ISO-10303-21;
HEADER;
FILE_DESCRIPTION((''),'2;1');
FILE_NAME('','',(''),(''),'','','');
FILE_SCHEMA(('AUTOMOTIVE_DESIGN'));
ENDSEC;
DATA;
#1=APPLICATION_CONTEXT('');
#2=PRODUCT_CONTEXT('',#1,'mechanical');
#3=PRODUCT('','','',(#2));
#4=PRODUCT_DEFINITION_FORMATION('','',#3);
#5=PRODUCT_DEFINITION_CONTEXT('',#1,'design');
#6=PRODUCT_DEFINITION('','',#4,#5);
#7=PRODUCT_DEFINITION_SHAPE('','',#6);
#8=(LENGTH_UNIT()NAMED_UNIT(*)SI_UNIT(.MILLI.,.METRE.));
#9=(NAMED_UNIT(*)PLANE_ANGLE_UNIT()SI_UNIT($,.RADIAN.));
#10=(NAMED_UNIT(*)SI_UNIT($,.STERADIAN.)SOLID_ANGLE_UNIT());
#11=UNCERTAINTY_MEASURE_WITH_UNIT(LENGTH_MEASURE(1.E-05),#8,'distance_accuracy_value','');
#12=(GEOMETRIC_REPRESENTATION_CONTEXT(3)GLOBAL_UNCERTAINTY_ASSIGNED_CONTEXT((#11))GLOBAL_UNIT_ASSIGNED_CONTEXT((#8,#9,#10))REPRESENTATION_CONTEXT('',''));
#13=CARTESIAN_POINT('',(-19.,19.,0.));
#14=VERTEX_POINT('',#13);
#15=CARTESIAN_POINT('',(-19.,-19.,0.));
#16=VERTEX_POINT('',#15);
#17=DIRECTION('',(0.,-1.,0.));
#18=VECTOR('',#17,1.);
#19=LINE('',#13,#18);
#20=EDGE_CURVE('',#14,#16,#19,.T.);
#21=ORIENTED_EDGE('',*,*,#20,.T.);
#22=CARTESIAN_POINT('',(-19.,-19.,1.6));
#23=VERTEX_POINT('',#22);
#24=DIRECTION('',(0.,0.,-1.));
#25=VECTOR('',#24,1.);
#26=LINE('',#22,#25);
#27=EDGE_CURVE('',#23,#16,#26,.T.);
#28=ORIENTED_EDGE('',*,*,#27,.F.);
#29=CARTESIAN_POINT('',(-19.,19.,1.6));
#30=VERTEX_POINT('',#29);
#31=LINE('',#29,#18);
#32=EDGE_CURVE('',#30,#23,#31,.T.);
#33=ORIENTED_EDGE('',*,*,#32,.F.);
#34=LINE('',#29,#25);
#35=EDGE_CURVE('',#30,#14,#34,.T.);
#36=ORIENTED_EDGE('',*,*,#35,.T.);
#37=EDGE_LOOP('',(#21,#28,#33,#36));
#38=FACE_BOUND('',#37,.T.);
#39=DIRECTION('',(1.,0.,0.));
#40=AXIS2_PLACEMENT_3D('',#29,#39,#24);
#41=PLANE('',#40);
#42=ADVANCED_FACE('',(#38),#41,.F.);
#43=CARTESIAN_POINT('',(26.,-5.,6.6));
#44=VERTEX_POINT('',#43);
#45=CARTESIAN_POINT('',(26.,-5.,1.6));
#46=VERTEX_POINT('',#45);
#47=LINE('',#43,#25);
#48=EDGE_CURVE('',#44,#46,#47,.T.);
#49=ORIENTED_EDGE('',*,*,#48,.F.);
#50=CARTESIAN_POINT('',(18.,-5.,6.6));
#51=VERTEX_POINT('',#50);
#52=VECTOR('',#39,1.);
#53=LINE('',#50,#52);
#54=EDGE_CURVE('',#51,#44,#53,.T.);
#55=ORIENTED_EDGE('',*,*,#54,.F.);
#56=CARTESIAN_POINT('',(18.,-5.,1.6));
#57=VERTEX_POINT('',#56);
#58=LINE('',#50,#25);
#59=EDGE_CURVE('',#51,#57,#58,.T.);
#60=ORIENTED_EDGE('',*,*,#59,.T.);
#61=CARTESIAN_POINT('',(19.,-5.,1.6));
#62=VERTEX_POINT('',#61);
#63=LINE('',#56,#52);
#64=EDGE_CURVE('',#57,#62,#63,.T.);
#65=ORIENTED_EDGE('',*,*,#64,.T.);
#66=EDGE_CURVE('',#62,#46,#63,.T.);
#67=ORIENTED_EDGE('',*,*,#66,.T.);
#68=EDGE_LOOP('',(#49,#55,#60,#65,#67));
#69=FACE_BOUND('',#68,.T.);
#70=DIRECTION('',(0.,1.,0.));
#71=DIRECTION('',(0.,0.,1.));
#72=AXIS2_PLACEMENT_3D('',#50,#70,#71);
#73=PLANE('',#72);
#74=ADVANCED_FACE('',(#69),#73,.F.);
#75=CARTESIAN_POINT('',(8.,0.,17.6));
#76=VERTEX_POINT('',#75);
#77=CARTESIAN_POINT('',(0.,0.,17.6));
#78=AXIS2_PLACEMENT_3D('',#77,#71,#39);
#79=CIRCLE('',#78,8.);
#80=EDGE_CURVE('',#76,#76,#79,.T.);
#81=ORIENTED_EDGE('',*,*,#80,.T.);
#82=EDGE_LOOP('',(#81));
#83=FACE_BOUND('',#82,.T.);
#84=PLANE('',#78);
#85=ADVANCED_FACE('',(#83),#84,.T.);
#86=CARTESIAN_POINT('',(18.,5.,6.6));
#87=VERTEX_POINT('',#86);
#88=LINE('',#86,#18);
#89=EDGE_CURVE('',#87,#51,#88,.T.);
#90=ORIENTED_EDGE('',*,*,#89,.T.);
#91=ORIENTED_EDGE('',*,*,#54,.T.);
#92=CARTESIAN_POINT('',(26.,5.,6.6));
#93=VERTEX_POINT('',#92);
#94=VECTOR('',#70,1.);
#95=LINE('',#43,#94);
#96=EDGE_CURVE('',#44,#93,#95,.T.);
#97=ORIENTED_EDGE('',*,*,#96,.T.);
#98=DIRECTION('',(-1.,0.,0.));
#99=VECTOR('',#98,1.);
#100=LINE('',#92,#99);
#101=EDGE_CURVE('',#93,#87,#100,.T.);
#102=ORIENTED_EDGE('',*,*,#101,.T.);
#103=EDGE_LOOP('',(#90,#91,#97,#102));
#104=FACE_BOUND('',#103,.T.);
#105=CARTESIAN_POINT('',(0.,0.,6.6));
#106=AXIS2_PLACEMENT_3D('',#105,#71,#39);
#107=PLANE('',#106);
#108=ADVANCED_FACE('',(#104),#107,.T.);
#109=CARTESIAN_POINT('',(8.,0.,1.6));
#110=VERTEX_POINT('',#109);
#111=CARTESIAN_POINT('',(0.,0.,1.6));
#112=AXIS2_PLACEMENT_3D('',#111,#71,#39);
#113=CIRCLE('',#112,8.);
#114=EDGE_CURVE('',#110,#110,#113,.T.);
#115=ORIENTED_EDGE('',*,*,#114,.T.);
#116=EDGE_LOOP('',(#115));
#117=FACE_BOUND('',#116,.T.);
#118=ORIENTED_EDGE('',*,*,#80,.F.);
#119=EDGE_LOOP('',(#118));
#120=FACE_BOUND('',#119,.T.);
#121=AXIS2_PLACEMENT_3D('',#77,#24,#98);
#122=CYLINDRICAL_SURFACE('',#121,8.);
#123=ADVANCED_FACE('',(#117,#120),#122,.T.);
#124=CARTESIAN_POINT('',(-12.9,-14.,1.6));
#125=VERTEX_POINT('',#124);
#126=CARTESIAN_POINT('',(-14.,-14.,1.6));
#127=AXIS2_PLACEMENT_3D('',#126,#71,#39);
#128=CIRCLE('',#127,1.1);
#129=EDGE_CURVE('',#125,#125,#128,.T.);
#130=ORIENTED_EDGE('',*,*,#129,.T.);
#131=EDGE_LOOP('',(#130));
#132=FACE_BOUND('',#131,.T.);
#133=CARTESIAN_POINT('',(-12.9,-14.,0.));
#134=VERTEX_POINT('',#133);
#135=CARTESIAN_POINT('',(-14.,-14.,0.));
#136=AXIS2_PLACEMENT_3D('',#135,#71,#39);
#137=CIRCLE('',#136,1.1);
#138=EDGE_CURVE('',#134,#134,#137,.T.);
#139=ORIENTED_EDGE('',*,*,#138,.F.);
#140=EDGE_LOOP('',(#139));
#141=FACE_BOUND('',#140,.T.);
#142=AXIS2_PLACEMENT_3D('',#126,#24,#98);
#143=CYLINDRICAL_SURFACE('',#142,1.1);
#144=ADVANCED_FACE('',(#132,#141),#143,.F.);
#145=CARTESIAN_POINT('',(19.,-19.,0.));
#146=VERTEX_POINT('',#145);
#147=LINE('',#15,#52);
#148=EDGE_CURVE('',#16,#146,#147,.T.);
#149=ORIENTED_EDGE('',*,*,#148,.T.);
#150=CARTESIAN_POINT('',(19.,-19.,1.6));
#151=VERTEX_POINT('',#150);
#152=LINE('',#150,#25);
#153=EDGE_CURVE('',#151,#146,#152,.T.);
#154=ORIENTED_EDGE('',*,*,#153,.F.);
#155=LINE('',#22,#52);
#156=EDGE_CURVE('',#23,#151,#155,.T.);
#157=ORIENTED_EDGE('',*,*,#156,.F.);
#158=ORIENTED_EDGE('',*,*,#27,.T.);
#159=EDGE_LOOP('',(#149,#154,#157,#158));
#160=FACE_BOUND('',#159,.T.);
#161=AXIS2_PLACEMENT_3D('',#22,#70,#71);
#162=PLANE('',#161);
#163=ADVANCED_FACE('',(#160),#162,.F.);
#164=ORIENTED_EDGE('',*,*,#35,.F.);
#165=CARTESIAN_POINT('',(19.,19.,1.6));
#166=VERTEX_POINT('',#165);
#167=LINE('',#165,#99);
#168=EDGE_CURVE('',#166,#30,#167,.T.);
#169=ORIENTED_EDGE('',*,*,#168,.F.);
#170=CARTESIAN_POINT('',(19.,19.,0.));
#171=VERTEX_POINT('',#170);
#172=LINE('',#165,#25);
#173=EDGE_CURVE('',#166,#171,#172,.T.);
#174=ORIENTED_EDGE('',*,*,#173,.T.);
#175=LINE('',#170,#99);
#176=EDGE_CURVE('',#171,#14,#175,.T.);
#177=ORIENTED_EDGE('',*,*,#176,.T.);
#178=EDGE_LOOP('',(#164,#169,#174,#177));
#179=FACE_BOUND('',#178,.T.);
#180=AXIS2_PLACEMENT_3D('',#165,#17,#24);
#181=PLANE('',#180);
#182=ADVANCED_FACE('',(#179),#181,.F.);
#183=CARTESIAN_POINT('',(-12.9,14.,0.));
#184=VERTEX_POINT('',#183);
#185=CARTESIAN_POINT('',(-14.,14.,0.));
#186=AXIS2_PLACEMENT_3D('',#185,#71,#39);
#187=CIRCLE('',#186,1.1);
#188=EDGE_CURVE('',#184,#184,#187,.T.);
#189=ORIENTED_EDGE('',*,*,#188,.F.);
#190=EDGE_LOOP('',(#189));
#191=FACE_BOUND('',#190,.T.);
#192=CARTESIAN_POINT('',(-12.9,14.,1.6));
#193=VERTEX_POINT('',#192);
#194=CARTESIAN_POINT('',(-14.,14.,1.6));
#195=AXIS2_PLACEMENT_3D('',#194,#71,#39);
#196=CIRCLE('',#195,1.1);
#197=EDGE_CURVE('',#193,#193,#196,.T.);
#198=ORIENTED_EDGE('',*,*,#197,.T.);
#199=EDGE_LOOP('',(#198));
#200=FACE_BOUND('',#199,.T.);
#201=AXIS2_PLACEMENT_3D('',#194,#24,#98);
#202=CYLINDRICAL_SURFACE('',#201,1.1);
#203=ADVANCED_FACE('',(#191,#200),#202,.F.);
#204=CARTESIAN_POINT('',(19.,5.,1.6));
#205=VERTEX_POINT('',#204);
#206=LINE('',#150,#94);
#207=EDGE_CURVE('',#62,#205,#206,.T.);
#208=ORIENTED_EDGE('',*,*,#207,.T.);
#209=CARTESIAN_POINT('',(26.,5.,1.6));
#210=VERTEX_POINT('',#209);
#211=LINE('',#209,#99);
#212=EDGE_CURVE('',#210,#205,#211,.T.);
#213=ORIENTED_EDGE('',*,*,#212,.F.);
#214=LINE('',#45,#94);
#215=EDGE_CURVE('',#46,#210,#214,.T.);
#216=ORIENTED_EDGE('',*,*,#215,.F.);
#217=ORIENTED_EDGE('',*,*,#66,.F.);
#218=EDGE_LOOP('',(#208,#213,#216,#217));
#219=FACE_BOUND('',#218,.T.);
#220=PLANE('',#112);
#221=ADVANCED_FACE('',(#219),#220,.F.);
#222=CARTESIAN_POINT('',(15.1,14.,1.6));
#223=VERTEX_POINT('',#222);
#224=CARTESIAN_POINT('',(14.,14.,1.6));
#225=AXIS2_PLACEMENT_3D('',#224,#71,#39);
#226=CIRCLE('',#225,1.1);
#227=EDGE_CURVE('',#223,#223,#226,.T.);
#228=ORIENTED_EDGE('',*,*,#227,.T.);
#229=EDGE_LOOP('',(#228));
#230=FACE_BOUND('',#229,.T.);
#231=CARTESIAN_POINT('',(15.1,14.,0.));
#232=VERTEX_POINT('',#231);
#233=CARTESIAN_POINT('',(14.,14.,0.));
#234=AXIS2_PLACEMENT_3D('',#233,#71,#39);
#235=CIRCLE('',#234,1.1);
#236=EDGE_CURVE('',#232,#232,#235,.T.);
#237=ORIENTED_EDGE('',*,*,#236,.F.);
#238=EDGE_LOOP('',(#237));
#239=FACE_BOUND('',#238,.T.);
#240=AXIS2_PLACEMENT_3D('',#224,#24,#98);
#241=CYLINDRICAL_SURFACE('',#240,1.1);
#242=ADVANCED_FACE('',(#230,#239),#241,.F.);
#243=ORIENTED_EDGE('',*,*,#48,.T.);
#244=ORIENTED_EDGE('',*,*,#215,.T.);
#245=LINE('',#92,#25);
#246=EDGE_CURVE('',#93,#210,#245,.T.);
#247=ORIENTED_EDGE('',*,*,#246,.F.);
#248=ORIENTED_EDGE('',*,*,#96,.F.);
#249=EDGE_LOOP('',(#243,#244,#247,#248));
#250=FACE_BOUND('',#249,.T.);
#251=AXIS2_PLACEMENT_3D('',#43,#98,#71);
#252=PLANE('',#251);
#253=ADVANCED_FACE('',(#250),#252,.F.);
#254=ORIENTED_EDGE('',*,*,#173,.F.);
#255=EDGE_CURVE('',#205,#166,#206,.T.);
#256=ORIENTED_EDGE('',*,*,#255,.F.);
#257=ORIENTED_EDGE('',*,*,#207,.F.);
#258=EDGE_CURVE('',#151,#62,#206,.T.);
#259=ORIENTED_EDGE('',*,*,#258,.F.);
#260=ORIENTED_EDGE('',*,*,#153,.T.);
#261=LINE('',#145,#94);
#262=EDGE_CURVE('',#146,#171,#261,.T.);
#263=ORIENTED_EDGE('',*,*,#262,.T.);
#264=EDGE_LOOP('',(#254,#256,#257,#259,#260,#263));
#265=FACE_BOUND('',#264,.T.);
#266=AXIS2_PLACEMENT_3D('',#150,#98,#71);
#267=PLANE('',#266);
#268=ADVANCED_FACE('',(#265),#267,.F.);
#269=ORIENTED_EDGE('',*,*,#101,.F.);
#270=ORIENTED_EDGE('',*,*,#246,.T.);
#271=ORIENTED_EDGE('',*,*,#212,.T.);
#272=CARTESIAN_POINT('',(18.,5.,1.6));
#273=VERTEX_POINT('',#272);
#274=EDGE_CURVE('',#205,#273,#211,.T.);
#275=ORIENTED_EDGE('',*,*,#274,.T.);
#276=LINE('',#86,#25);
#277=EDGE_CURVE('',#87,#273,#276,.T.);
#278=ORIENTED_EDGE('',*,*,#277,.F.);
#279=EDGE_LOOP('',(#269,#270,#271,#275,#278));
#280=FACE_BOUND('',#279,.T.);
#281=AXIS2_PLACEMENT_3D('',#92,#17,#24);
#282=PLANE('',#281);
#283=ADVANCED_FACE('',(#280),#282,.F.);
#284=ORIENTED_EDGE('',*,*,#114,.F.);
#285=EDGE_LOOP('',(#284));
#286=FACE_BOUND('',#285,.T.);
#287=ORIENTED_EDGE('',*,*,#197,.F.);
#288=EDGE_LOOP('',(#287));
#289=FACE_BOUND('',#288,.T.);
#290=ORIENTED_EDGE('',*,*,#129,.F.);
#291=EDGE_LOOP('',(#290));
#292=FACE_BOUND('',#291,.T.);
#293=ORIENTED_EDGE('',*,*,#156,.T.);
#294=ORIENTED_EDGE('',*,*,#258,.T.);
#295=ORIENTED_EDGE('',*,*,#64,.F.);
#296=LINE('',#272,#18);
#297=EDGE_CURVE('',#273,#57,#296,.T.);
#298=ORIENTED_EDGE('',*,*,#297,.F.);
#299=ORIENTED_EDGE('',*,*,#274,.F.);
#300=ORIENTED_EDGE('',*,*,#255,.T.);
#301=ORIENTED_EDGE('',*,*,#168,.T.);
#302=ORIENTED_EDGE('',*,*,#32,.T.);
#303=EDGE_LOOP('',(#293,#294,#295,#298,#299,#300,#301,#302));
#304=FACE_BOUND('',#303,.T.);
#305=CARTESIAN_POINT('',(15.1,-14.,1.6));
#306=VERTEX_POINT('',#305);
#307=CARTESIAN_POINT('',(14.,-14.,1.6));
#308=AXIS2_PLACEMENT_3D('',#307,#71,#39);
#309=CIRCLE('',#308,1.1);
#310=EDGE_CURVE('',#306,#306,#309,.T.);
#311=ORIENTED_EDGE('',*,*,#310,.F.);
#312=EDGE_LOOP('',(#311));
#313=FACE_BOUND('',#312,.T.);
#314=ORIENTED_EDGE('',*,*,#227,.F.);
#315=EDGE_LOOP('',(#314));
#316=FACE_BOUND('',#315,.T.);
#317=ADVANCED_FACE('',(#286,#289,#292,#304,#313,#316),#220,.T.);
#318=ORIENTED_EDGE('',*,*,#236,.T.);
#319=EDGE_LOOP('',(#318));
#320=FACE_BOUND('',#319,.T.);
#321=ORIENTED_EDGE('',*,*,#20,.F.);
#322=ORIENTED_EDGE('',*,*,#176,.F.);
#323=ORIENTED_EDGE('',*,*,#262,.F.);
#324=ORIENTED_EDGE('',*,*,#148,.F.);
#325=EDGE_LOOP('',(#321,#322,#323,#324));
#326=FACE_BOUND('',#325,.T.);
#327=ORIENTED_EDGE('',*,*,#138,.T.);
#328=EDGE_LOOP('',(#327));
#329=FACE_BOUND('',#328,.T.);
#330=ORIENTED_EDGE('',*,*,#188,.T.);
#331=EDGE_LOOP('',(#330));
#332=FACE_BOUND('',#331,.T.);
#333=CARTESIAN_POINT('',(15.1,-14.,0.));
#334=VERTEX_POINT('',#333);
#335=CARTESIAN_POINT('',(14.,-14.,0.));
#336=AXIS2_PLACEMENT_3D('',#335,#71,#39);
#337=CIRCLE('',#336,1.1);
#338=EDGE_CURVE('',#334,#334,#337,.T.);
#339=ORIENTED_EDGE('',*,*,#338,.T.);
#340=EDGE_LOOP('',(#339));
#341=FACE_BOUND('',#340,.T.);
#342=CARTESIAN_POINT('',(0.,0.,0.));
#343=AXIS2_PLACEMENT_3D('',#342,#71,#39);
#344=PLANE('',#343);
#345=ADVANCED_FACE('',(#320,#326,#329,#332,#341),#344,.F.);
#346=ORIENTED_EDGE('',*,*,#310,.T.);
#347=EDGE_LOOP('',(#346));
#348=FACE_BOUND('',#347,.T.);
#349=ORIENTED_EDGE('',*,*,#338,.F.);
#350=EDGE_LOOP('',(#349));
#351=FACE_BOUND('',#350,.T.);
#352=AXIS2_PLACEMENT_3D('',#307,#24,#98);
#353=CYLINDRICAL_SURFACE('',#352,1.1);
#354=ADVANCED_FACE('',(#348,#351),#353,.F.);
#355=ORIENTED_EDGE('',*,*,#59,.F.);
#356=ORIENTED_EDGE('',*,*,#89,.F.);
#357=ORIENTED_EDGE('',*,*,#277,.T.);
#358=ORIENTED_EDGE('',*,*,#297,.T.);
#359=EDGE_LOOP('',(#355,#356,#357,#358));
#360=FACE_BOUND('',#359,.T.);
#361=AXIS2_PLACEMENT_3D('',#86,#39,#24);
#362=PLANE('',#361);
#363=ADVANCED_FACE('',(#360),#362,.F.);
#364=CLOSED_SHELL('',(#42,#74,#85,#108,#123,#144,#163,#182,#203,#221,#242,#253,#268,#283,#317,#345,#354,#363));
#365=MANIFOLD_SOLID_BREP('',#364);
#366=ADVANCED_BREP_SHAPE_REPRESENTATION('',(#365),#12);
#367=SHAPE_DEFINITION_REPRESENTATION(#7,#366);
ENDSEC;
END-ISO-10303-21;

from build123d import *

# Parameters (mm, degrees)
SKETCH_1_W        = 38
SKETCH_1_H        = 38
SKETCH_1_R        = 1.1
USB_38_PCB_DEPTH  = 1.6
EXTRUDE_START     = 1.6
SKETCH_2_R        = 8
EXTRUDE_M12_DEPTH = 16
USB_START         = 1.6
SKETCH_3_W        = 8
SKETCH_3_H        = 10
USB_DEPTH         = 5


with BuildPart() as part:
    # 草图1 → USB摄像头38方PCB占位 (new body)
    with BuildSketch(Plane.XY):
        Rectangle(SKETCH_1_W, SKETCH_1_H)
        with Locations((-14, -14)):
            Circle(SKETCH_1_R, mode=Mode.SUBTRACT)
        with Locations((-14, 14)):
            Circle(SKETCH_1_R, mode=Mode.SUBTRACT)
        with Locations((14, -14)):
            Circle(SKETCH_1_R, mode=Mode.SUBTRACT)
        with Locations((14, 14)):
            Circle(SKETCH_1_R, mode=Mode.SUBTRACT)
    extrude(amount=USB_38_PCB_DEPTH)

    # 草图2 → M12镜头占位 (add)
    with BuildSketch(Plane.XY.offset(EXTRUDE_START)):
        Circle(SKETCH_2_R)
    extrude(amount=EXTRUDE_M12_DEPTH)

    # 草图3 → USB插头接口占位 (add)
    with BuildSketch(Plane.XY.offset(USB_START)):
        with Locations((22, 0)):
            Rectangle(SKETCH_3_W, SKETCH_3_H)
    extrude(amount=USB_DEPTH)


solid = part.part
